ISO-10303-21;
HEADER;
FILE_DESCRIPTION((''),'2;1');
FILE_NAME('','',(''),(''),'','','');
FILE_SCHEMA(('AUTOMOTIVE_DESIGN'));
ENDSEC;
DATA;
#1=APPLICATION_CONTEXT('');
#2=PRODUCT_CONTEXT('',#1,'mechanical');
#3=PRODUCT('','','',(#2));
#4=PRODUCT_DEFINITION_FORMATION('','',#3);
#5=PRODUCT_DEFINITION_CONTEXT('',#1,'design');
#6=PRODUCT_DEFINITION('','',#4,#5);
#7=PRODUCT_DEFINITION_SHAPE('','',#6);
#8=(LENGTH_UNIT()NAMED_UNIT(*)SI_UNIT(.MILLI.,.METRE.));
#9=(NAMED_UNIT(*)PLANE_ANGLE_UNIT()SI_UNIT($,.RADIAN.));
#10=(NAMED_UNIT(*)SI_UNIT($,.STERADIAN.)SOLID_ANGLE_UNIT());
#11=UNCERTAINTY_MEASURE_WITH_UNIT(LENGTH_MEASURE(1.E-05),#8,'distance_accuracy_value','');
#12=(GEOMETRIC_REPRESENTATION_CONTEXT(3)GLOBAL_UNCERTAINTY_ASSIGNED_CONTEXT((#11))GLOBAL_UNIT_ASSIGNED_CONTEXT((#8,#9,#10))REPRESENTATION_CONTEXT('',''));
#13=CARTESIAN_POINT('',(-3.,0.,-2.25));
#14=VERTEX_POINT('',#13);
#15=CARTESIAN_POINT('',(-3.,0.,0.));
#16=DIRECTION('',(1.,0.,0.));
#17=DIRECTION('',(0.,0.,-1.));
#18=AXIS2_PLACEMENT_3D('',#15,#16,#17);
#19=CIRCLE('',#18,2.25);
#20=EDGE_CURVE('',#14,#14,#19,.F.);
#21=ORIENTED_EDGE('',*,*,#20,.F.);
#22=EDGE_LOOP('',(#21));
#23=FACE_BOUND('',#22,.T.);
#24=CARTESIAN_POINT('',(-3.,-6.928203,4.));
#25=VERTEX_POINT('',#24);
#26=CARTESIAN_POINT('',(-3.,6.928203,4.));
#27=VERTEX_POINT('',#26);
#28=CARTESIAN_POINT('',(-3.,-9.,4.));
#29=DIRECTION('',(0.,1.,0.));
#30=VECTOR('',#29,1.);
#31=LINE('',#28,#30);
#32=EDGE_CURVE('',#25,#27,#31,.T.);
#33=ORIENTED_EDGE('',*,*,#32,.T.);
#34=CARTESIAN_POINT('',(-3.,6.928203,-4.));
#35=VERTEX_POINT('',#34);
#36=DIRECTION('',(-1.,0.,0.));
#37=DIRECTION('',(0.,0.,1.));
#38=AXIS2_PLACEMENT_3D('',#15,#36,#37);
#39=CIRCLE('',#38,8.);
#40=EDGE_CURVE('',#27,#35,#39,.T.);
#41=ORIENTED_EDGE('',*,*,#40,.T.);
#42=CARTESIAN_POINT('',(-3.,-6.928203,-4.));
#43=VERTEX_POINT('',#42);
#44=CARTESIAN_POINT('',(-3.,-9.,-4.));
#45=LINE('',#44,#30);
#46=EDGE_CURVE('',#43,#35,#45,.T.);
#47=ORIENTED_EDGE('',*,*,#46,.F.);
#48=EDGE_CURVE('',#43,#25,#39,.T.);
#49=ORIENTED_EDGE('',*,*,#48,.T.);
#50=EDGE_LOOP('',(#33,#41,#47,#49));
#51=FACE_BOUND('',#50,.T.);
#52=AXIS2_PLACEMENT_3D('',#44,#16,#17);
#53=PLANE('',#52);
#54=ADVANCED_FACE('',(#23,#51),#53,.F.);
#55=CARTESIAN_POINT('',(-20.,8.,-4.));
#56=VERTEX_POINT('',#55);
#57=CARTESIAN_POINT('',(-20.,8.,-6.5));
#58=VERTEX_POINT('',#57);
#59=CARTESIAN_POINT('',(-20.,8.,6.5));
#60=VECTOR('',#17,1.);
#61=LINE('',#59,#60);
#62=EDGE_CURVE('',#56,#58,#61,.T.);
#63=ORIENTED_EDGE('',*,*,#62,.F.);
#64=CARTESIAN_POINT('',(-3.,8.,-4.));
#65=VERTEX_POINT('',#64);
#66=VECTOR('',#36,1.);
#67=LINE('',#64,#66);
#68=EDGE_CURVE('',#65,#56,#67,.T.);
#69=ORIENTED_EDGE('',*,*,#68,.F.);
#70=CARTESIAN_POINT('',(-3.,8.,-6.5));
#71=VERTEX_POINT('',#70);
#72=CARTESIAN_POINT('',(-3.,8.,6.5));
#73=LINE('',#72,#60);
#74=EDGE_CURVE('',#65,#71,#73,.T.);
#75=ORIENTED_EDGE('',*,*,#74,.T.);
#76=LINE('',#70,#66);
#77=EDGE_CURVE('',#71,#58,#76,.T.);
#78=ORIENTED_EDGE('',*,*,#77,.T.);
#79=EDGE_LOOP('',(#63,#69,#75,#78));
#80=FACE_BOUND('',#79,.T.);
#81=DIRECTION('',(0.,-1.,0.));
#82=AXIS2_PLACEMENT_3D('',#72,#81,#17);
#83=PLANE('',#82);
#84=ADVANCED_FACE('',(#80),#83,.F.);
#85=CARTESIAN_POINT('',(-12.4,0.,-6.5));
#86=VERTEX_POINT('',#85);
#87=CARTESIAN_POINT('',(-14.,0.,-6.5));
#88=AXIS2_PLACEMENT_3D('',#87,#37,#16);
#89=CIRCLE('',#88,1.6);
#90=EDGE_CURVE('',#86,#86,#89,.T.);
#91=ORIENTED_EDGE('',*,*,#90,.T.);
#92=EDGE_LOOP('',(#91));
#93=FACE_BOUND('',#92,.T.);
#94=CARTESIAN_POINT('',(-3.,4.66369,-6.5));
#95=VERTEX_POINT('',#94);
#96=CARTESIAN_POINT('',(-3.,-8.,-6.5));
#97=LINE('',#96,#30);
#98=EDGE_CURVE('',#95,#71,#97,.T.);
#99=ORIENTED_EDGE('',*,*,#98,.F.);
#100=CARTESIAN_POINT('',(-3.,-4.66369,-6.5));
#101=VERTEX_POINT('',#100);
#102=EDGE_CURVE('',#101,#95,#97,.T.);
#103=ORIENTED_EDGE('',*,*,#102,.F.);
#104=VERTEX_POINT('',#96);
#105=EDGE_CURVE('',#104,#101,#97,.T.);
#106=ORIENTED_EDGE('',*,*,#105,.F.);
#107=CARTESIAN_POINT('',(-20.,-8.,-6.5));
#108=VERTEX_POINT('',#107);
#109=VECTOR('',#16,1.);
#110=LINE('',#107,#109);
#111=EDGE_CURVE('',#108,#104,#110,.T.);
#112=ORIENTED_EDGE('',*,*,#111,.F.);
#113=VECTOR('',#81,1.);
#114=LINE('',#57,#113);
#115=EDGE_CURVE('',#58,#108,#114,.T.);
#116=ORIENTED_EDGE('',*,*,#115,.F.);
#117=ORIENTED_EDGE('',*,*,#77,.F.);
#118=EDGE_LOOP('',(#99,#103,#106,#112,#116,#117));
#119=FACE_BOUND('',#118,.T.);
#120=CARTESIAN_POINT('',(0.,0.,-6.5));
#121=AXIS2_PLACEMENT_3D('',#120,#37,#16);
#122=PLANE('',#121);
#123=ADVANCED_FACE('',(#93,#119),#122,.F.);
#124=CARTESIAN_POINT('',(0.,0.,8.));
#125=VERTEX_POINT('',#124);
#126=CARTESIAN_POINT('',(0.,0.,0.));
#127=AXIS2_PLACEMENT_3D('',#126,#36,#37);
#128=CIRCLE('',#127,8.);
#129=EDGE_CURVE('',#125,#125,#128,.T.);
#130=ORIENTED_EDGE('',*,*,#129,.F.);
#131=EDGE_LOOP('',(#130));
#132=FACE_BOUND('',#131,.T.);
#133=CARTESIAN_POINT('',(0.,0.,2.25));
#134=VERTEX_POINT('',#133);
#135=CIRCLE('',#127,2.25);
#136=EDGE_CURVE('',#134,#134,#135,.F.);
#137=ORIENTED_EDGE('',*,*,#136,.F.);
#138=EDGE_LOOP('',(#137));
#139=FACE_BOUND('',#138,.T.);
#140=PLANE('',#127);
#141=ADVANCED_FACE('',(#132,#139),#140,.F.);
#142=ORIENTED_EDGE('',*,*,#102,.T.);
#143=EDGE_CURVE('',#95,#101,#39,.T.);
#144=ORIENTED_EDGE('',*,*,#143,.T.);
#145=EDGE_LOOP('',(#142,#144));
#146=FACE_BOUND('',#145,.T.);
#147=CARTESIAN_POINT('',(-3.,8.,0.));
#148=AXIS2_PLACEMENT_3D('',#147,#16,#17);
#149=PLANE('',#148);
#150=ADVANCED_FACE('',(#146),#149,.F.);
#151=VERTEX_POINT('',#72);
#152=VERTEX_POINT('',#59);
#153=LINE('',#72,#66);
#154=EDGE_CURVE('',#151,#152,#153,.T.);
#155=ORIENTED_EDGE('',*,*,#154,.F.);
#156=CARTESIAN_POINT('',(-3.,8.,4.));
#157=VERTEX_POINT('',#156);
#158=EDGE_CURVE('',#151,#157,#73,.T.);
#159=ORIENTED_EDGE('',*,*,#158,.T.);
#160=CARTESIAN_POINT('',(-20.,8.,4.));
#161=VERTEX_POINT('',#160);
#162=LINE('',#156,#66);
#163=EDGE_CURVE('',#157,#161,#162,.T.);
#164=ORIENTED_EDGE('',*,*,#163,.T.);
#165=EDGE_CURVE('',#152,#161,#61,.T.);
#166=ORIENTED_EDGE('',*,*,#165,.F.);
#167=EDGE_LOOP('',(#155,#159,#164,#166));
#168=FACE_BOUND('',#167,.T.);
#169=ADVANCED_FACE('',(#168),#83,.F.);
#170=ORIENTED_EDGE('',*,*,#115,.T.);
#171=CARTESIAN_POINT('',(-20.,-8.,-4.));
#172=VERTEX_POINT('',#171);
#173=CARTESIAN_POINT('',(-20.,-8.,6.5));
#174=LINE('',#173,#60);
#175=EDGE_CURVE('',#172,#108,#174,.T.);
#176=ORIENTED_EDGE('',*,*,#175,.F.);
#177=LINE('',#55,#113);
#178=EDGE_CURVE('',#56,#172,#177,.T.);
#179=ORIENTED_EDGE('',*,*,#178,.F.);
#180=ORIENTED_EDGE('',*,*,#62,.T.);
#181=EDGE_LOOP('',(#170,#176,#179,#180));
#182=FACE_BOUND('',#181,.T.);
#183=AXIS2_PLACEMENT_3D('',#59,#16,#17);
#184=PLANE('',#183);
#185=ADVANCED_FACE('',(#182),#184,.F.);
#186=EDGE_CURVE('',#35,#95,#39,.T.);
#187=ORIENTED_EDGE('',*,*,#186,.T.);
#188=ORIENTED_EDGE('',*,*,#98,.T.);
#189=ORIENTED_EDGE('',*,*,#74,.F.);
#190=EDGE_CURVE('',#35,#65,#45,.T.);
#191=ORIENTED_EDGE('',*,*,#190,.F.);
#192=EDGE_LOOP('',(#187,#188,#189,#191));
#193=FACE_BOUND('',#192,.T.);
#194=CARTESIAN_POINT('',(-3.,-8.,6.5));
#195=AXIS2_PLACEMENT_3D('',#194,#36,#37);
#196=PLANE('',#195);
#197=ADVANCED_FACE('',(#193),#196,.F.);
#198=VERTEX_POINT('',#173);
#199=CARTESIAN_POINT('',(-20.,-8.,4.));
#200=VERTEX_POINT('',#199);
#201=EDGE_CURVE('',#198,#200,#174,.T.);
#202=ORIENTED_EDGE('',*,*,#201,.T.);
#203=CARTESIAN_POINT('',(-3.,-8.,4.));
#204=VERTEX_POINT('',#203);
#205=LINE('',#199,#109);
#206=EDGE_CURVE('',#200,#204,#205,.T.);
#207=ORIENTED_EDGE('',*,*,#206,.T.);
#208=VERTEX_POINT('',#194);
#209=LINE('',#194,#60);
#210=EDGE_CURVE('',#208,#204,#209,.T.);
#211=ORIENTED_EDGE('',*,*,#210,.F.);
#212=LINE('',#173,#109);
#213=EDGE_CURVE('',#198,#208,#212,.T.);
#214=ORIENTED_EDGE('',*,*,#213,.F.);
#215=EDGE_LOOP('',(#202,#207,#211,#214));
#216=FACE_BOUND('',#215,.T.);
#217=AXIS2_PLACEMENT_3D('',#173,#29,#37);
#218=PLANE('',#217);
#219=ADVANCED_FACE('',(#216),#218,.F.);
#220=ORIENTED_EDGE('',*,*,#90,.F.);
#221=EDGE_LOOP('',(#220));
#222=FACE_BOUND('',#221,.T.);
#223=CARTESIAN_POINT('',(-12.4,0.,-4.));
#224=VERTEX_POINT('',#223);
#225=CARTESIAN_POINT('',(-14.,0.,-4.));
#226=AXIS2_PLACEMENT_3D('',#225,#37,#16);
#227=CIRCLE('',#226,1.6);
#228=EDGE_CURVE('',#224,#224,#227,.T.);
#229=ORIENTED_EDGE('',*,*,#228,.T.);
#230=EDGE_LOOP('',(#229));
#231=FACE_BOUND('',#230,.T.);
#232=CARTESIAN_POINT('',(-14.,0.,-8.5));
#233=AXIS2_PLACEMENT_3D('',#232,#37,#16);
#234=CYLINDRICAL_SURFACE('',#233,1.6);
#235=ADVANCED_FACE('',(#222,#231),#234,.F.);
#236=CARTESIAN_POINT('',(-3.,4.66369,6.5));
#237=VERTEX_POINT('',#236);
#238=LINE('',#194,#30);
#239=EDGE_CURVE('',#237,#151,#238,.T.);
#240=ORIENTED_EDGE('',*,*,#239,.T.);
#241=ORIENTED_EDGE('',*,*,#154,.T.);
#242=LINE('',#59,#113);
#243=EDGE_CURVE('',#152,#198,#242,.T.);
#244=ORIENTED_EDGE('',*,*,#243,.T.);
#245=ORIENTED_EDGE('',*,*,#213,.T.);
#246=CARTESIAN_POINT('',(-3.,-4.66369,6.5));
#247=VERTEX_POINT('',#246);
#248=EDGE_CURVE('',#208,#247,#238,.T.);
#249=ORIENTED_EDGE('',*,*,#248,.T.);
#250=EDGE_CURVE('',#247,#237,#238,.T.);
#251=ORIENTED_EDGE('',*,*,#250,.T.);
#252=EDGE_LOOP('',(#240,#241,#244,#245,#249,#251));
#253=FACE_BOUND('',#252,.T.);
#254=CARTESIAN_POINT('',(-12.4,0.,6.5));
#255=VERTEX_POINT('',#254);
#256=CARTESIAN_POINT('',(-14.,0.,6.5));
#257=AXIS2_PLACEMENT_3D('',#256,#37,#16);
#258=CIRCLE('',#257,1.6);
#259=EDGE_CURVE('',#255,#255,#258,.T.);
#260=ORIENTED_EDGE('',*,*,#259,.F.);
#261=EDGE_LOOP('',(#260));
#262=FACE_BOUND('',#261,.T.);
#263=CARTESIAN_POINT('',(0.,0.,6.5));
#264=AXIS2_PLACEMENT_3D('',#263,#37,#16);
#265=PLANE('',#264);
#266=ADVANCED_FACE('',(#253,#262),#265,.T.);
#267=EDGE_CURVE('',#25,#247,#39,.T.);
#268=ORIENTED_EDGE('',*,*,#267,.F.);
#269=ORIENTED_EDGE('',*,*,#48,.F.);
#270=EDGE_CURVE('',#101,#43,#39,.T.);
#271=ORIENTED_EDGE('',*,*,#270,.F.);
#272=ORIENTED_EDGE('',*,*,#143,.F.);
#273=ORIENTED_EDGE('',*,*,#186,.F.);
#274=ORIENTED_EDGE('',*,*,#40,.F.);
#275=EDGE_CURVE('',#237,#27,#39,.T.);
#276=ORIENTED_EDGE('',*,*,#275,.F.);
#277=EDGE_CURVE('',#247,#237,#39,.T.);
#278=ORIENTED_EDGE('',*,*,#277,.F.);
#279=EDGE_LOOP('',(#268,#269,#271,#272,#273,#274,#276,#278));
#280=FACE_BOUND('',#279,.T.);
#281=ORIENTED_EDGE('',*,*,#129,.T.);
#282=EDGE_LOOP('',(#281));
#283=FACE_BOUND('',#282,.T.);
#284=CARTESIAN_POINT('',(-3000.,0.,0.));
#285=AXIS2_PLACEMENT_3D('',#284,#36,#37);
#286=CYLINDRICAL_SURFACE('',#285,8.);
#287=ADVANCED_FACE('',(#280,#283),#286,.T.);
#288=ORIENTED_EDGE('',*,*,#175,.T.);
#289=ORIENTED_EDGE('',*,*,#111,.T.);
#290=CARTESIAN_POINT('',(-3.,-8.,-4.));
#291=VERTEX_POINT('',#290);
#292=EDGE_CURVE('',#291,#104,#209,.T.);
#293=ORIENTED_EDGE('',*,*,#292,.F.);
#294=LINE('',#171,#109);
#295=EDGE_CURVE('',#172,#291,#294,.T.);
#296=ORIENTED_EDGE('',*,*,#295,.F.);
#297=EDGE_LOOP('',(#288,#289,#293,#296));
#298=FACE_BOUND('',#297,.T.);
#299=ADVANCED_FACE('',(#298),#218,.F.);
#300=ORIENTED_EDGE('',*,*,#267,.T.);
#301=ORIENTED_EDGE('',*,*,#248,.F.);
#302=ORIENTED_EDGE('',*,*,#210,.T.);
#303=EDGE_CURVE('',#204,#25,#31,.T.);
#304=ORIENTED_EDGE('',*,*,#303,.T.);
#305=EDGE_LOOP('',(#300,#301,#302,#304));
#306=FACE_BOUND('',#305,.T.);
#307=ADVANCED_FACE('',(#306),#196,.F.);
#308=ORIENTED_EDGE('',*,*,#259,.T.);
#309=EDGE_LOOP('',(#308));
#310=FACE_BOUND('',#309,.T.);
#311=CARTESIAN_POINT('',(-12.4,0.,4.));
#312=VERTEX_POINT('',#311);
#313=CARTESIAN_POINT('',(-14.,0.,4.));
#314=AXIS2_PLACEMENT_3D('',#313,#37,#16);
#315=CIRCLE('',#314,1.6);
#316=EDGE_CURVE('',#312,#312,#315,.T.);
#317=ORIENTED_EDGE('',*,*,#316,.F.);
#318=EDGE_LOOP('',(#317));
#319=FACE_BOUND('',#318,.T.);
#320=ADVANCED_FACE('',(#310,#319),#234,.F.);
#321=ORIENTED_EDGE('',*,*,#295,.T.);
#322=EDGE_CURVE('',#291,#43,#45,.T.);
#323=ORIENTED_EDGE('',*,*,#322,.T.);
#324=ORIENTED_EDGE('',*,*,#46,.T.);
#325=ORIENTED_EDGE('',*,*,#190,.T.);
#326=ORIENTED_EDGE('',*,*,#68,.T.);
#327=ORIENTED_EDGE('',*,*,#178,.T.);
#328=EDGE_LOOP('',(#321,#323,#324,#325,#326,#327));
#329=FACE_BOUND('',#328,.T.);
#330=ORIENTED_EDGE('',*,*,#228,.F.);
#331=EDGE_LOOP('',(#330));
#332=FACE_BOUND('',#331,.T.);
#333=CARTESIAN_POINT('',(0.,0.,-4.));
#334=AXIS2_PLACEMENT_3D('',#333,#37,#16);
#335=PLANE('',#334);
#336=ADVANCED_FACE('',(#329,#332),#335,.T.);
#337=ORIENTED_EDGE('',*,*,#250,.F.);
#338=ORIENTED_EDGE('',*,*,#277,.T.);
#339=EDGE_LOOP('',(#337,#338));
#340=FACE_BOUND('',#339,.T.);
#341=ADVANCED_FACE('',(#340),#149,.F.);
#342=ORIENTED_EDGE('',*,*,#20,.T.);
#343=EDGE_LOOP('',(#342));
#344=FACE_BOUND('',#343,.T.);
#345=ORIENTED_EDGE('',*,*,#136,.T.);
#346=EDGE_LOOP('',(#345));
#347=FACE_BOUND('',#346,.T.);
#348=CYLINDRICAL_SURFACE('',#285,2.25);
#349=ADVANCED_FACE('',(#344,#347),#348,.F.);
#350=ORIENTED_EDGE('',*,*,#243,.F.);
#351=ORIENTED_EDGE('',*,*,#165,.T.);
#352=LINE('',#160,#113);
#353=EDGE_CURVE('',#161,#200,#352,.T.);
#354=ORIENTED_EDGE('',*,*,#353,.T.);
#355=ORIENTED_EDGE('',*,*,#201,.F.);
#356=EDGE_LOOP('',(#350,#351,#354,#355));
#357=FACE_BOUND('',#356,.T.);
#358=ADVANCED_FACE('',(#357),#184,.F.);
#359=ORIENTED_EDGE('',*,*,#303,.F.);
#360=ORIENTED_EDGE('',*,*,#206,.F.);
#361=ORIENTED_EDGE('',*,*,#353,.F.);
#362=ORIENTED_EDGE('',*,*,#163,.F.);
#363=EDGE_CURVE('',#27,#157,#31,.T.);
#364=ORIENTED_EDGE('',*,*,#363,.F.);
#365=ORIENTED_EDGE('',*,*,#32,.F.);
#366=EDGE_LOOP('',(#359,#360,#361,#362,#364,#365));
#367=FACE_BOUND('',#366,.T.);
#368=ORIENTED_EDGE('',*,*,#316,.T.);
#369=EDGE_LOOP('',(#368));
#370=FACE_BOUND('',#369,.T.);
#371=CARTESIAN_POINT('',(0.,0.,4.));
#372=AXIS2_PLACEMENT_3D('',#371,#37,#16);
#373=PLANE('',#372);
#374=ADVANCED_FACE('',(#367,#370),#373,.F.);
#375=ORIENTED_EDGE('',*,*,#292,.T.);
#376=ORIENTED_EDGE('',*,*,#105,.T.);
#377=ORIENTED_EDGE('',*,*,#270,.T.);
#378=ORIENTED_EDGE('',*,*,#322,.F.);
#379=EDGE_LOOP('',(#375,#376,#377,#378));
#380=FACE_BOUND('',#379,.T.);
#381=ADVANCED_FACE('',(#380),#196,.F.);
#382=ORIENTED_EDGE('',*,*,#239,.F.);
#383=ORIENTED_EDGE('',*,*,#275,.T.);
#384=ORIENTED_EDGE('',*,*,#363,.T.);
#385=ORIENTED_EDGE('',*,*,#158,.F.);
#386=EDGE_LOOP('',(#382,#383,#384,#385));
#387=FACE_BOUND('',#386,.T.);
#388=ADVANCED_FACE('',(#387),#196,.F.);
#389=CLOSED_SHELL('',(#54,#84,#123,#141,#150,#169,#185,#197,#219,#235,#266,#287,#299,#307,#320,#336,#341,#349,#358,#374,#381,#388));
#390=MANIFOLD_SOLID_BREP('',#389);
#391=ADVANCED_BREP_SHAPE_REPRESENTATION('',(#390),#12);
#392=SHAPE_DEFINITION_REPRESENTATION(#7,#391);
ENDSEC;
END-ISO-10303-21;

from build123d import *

# Parameters (mm, degrees)
BASE_SKETCH_W        = 3
BASE_SKETCH_H        = 8
CHEEK_BLOCK_SKETCH_W = 17
CHEEK_BLOCK_SKETCH_H = 16
CHEEK_BLOCK_DEPTH    = 6.5
GAP_SKETCH_W         = 18
GAP_SKETCH_H         = 18
GAP_DEPTH            = 4
PIN_HOLE_SKETCH_R    = 1.6
PIN_HOLE_DEPTH       = 8.5
SCREW_HOLE_SKETCH_W  = 4
SCREW_HOLE_SKETCH_H  = 2.25


with BuildPart() as part:
    # Base Sketch → Base (revolve)
    with BuildSketch(Plane.XY):
        with Locations((-1.5, 4)):
            Rectangle(BASE_SKETCH_W, BASE_SKETCH_H)
    revolve(axis=Axis((-3000, 0, 0), (1, 0, 0)))

    # Cheek Block Sketch → Cheek Block (add, symmetric)
    with BuildSketch(Plane.XY):
        with Locations((-11.5, 0)):
            Rectangle(CHEEK_BLOCK_SKETCH_W, CHEEK_BLOCK_SKETCH_H)
    extrude(amount=CHEEK_BLOCK_DEPTH, both=True)

    # Gap Sketch → Gap (cut, symmetric)
    with BuildSketch(Plane.XY):
        with Locations((-12, 0)):
            Rectangle(GAP_SKETCH_W, GAP_SKETCH_H)
    extrude(amount=GAP_DEPTH, both=True, mode=Mode.SUBTRACT)

    # Pin Hole Sketch → Pin Hole (cut, symmetric)
    with BuildSketch(Plane.XY):
        with Locations((-14, 0)):
            Circle(PIN_HOLE_SKETCH_R)
    extrude(amount=PIN_HOLE_DEPTH, both=True, mode=Mode.SUBTRACT)

    # Screw Hole Sketch → Screw Hole (revolve, cut)
    with BuildSketch(Plane.XY):
        with Locations((-1.5, 1.125)):
            Rectangle(SCREW_HOLE_SKETCH_W, SCREW_HOLE_SKETCH_H)
    revolve(axis=Axis((-3000, 0, 0), (1, 0, 0)), mode=Mode.SUBTRACT)


solid = part.part
